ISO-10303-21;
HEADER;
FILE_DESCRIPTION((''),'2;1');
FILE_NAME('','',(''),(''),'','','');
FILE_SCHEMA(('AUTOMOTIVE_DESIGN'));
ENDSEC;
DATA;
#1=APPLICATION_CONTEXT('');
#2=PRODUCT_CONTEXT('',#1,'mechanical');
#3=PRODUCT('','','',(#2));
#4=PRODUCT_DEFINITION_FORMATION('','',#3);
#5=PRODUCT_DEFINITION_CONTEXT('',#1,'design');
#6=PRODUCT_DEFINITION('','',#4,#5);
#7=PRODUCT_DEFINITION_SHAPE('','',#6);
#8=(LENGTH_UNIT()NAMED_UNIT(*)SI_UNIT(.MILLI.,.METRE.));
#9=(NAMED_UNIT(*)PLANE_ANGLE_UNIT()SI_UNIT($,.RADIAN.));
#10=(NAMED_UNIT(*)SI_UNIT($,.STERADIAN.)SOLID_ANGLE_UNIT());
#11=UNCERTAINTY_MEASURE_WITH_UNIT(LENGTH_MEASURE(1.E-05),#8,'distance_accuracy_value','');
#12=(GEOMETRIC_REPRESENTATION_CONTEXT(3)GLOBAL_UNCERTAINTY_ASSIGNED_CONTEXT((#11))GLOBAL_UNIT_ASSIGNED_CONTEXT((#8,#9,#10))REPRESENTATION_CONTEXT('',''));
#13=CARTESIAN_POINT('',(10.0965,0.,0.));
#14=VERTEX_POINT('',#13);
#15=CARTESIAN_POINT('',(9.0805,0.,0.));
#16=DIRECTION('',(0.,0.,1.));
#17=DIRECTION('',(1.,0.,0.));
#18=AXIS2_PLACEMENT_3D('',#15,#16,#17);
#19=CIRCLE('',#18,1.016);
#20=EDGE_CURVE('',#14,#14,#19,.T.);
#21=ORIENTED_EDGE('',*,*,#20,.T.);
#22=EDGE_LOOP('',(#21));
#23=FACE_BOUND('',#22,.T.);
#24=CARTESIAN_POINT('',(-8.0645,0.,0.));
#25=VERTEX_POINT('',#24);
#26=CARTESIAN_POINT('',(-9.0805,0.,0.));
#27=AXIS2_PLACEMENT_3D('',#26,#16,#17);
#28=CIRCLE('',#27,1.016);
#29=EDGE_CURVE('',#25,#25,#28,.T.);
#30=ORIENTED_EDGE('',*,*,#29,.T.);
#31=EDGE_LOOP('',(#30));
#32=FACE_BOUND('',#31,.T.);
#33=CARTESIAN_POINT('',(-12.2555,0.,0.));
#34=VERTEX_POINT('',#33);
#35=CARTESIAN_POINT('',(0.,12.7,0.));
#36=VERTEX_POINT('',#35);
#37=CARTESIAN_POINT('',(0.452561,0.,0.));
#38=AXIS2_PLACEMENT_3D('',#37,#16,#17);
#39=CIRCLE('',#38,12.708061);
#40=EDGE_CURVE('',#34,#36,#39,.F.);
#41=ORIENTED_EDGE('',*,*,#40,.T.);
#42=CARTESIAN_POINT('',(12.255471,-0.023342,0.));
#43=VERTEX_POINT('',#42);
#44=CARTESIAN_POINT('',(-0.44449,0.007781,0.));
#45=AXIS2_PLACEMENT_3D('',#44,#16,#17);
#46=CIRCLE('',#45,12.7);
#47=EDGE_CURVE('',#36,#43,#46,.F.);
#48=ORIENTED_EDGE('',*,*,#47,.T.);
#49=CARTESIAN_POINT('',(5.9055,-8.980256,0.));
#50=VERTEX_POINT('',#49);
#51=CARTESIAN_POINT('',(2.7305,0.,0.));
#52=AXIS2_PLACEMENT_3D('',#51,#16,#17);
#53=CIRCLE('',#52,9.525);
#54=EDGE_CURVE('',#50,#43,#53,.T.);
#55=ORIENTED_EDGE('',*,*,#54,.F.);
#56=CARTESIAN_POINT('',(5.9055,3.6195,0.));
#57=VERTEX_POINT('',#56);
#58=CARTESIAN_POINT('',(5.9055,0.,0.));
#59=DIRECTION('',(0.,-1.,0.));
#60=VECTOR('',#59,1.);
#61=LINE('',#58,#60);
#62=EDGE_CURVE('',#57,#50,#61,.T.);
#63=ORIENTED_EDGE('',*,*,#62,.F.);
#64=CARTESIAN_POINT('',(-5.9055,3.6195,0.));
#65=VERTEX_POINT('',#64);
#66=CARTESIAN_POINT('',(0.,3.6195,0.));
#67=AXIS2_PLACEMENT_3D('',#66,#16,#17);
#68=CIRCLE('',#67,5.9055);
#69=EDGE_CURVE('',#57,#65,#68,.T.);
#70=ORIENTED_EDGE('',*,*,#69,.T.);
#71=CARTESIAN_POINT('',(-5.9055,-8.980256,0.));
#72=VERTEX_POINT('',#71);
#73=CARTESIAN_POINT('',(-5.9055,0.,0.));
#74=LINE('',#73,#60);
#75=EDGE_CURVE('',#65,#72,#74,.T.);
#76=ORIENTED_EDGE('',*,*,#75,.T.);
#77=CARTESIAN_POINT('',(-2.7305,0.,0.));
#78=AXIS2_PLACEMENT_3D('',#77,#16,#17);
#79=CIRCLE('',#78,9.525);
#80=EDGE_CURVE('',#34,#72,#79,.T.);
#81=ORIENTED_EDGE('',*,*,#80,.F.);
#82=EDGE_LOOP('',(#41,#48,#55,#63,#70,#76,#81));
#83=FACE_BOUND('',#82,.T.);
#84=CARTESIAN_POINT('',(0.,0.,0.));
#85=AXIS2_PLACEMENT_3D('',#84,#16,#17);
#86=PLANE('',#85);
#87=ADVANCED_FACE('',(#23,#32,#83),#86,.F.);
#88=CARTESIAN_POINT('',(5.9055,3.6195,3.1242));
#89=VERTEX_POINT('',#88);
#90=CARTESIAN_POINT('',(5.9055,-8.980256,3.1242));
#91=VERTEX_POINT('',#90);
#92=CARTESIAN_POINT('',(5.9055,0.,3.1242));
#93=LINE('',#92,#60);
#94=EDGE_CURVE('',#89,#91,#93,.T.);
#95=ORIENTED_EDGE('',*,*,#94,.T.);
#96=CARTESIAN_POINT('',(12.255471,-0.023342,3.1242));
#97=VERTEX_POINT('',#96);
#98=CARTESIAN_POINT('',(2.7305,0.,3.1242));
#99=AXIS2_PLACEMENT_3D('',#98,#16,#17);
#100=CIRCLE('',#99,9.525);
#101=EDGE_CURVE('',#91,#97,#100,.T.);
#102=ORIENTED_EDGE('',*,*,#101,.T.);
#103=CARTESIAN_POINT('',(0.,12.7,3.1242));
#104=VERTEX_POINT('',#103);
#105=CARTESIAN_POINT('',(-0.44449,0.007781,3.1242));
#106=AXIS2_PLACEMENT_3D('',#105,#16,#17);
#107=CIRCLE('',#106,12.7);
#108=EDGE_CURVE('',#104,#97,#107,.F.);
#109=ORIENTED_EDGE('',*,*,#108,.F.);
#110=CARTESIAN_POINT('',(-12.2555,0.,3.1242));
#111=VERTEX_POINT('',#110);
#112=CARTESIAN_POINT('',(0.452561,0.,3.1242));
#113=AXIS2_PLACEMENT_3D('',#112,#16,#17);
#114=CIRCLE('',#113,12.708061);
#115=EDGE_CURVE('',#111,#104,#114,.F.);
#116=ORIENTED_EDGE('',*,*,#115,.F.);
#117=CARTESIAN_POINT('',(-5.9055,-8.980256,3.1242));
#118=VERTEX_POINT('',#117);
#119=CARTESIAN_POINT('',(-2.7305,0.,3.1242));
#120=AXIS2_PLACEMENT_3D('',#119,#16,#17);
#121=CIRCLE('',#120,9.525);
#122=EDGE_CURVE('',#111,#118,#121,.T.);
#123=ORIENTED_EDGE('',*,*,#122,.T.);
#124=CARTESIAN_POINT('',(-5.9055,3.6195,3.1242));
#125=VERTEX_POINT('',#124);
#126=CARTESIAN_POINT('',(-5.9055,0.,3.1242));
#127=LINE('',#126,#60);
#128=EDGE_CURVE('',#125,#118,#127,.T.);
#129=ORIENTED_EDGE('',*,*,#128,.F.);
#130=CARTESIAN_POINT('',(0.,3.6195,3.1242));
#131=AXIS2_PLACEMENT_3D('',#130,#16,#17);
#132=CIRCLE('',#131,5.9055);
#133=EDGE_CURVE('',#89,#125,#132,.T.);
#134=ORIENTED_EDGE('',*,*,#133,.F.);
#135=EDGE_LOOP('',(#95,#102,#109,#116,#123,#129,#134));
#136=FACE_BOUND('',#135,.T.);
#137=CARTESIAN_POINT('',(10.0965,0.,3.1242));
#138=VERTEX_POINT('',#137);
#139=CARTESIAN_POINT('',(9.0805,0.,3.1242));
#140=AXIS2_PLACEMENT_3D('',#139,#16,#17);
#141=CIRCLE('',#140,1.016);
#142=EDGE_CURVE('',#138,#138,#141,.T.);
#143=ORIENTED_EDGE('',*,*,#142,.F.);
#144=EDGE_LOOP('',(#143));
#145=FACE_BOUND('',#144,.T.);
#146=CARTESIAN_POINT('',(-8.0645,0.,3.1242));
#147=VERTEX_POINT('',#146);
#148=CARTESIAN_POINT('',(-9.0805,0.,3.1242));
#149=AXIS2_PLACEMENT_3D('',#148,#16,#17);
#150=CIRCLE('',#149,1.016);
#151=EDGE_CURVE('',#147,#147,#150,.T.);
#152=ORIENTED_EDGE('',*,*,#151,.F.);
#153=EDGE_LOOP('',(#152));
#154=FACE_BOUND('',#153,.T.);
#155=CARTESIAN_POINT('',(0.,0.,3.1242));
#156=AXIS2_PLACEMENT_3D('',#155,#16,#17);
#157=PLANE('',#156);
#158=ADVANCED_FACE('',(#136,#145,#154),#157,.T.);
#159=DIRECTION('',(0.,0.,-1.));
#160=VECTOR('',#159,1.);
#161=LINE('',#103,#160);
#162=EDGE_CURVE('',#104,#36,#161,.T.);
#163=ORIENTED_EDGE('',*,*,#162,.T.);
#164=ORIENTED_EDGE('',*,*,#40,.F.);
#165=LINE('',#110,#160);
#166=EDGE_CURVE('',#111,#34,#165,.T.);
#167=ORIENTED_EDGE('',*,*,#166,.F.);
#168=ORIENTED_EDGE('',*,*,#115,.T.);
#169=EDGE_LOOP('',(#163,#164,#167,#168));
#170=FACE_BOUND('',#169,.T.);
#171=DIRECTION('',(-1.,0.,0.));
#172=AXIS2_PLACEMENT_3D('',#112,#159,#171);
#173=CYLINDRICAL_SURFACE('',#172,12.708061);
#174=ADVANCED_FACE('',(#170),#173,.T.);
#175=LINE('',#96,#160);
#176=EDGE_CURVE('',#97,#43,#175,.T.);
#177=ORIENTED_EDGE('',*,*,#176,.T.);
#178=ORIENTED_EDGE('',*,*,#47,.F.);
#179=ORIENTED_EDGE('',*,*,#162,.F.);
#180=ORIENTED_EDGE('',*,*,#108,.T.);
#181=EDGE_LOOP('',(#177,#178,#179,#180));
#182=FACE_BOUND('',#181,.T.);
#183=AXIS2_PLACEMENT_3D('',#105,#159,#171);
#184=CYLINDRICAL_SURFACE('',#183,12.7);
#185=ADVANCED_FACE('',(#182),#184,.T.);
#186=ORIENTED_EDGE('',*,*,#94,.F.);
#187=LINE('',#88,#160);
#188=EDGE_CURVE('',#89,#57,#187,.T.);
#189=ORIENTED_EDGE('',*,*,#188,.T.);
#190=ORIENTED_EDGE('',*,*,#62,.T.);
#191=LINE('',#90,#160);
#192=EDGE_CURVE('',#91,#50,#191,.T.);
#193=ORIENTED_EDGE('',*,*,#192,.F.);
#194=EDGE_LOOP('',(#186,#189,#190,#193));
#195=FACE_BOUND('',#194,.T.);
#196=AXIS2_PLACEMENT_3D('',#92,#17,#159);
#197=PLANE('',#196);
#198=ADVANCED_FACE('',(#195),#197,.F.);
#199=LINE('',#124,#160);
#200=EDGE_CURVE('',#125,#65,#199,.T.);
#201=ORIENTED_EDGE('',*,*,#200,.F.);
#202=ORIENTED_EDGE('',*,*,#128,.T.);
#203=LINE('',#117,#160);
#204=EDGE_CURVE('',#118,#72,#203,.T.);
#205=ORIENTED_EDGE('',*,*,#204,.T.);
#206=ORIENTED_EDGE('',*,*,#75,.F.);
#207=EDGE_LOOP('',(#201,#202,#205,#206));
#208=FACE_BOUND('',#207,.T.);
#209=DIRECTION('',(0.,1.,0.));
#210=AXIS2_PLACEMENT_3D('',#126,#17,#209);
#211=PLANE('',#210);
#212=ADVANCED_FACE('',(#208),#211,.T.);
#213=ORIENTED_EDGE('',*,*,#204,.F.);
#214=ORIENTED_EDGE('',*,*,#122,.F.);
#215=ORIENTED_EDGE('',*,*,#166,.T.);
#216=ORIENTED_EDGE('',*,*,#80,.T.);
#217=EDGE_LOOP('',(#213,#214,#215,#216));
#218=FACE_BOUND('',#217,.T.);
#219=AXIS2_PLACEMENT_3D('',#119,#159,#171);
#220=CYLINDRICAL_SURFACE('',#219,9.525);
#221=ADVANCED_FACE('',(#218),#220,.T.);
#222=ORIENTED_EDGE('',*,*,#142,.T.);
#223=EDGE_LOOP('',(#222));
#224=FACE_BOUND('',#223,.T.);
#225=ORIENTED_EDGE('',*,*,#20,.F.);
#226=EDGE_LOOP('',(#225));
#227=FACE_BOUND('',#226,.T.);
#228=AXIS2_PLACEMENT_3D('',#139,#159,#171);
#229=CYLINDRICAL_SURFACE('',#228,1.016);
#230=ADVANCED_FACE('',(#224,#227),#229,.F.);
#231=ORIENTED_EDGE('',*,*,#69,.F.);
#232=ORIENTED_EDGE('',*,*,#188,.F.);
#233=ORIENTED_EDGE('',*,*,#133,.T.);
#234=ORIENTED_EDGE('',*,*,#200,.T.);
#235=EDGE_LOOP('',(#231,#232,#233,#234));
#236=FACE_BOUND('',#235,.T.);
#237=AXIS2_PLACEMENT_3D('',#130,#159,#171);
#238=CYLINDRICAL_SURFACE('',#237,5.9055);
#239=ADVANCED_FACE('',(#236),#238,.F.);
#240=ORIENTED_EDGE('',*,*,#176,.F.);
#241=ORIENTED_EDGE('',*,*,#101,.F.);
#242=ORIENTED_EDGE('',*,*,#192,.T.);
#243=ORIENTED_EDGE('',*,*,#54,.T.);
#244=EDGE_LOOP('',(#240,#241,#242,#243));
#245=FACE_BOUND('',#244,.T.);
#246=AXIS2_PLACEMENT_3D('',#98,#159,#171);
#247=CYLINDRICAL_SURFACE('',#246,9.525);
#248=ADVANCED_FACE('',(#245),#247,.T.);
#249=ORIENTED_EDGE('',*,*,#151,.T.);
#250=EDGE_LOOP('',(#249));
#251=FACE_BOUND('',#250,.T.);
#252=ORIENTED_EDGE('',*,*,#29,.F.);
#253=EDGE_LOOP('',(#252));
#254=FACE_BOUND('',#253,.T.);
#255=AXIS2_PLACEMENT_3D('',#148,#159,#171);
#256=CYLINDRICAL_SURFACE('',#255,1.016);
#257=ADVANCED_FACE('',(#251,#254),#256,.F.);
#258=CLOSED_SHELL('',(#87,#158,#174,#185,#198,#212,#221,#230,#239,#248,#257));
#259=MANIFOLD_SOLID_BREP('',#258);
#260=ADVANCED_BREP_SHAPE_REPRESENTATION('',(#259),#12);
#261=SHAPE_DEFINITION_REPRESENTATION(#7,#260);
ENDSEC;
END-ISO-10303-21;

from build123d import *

# Parameters (mm, degrees)
CROQUIS1_R              = 1.016
SALIENTE_EXTRUIR1_DEPTH = 3.1242


with BuildPart() as part:
    # Croquis1 → Saliente-Extruir1 (new body)
    with BuildSketch(Plane.XY):
        with BuildLine():
            Line((0, 9.525), (-2.7305, 9.525))
            ThreePointArc((-2.7305, 9.525), (-9.465692091, 6.735192091), (-12.2555, 0))
            ThreePointArc((-12.2555, 0), (-10.507629933, -5.499261314), (-5.9055, -8.980256121))
            Line((-5.9055, -8.980256121), (-5.9055, -3.6195))
            Line((-5.9055, -3.6195), (-5.9055, 3.6195))
            ThreePointArc((-5.9055, 3.6195), (-4.175819096, 7.795319096), (0, 9.525))
        make_face()
        with Locations((-9.0805, 0)):
            Circle(CROQUIS1_R, mode=Mode.SUBTRACT)
        with BuildLine():
            ThreePointArc((-12.2555, 0), (-9.465692091, 6.735192091), (-2.7305, 9.525))
            Line((-2.7305, 9.525), (0, 9.525))
            Line((0, 9.525), (2.7305, 9.525))
            ThreePointArc((2.7305, 9.525), (9.473939825, 6.726934244), (12.255471398, -0.023342399))
            ThreePointArc((12.255471398, -0.023342399), (8.702367859, 8.818284916), (0, 12.7))
            ThreePointArc((0, 12.7), (-8.691999868, 8.824501123), (-12.2555, 0))
        make_face()
        with BuildLine():
            Line((2.7305, 9.525), (0, 9.525))
            ThreePointArc((0, 9.525), (4.175819096, 7.795319096), (5.9055, 3.6195))
            Line((5.9055, 3.6195), (5.9055, -3.6195))
            Line((5.9055, -3.6195), (5.9055, -8.980256121))
            ThreePointArc((5.9055, -8.980256121), (10.50088572, -5.508786688), (12.255471398, -0.023342399))
            ThreePointArc((12.255471398, -0.023342399), (9.473939825, 6.726934244), (2.7305, 9.525))
        make_face()
        with Locations((9.0805, 0)):
            Circle(CROQUIS1_R, mode=Mode.SUBTRACT)
    extrude(amount=SALIENTE_EXTRUIR1_DEPTH)


solid = part.part
